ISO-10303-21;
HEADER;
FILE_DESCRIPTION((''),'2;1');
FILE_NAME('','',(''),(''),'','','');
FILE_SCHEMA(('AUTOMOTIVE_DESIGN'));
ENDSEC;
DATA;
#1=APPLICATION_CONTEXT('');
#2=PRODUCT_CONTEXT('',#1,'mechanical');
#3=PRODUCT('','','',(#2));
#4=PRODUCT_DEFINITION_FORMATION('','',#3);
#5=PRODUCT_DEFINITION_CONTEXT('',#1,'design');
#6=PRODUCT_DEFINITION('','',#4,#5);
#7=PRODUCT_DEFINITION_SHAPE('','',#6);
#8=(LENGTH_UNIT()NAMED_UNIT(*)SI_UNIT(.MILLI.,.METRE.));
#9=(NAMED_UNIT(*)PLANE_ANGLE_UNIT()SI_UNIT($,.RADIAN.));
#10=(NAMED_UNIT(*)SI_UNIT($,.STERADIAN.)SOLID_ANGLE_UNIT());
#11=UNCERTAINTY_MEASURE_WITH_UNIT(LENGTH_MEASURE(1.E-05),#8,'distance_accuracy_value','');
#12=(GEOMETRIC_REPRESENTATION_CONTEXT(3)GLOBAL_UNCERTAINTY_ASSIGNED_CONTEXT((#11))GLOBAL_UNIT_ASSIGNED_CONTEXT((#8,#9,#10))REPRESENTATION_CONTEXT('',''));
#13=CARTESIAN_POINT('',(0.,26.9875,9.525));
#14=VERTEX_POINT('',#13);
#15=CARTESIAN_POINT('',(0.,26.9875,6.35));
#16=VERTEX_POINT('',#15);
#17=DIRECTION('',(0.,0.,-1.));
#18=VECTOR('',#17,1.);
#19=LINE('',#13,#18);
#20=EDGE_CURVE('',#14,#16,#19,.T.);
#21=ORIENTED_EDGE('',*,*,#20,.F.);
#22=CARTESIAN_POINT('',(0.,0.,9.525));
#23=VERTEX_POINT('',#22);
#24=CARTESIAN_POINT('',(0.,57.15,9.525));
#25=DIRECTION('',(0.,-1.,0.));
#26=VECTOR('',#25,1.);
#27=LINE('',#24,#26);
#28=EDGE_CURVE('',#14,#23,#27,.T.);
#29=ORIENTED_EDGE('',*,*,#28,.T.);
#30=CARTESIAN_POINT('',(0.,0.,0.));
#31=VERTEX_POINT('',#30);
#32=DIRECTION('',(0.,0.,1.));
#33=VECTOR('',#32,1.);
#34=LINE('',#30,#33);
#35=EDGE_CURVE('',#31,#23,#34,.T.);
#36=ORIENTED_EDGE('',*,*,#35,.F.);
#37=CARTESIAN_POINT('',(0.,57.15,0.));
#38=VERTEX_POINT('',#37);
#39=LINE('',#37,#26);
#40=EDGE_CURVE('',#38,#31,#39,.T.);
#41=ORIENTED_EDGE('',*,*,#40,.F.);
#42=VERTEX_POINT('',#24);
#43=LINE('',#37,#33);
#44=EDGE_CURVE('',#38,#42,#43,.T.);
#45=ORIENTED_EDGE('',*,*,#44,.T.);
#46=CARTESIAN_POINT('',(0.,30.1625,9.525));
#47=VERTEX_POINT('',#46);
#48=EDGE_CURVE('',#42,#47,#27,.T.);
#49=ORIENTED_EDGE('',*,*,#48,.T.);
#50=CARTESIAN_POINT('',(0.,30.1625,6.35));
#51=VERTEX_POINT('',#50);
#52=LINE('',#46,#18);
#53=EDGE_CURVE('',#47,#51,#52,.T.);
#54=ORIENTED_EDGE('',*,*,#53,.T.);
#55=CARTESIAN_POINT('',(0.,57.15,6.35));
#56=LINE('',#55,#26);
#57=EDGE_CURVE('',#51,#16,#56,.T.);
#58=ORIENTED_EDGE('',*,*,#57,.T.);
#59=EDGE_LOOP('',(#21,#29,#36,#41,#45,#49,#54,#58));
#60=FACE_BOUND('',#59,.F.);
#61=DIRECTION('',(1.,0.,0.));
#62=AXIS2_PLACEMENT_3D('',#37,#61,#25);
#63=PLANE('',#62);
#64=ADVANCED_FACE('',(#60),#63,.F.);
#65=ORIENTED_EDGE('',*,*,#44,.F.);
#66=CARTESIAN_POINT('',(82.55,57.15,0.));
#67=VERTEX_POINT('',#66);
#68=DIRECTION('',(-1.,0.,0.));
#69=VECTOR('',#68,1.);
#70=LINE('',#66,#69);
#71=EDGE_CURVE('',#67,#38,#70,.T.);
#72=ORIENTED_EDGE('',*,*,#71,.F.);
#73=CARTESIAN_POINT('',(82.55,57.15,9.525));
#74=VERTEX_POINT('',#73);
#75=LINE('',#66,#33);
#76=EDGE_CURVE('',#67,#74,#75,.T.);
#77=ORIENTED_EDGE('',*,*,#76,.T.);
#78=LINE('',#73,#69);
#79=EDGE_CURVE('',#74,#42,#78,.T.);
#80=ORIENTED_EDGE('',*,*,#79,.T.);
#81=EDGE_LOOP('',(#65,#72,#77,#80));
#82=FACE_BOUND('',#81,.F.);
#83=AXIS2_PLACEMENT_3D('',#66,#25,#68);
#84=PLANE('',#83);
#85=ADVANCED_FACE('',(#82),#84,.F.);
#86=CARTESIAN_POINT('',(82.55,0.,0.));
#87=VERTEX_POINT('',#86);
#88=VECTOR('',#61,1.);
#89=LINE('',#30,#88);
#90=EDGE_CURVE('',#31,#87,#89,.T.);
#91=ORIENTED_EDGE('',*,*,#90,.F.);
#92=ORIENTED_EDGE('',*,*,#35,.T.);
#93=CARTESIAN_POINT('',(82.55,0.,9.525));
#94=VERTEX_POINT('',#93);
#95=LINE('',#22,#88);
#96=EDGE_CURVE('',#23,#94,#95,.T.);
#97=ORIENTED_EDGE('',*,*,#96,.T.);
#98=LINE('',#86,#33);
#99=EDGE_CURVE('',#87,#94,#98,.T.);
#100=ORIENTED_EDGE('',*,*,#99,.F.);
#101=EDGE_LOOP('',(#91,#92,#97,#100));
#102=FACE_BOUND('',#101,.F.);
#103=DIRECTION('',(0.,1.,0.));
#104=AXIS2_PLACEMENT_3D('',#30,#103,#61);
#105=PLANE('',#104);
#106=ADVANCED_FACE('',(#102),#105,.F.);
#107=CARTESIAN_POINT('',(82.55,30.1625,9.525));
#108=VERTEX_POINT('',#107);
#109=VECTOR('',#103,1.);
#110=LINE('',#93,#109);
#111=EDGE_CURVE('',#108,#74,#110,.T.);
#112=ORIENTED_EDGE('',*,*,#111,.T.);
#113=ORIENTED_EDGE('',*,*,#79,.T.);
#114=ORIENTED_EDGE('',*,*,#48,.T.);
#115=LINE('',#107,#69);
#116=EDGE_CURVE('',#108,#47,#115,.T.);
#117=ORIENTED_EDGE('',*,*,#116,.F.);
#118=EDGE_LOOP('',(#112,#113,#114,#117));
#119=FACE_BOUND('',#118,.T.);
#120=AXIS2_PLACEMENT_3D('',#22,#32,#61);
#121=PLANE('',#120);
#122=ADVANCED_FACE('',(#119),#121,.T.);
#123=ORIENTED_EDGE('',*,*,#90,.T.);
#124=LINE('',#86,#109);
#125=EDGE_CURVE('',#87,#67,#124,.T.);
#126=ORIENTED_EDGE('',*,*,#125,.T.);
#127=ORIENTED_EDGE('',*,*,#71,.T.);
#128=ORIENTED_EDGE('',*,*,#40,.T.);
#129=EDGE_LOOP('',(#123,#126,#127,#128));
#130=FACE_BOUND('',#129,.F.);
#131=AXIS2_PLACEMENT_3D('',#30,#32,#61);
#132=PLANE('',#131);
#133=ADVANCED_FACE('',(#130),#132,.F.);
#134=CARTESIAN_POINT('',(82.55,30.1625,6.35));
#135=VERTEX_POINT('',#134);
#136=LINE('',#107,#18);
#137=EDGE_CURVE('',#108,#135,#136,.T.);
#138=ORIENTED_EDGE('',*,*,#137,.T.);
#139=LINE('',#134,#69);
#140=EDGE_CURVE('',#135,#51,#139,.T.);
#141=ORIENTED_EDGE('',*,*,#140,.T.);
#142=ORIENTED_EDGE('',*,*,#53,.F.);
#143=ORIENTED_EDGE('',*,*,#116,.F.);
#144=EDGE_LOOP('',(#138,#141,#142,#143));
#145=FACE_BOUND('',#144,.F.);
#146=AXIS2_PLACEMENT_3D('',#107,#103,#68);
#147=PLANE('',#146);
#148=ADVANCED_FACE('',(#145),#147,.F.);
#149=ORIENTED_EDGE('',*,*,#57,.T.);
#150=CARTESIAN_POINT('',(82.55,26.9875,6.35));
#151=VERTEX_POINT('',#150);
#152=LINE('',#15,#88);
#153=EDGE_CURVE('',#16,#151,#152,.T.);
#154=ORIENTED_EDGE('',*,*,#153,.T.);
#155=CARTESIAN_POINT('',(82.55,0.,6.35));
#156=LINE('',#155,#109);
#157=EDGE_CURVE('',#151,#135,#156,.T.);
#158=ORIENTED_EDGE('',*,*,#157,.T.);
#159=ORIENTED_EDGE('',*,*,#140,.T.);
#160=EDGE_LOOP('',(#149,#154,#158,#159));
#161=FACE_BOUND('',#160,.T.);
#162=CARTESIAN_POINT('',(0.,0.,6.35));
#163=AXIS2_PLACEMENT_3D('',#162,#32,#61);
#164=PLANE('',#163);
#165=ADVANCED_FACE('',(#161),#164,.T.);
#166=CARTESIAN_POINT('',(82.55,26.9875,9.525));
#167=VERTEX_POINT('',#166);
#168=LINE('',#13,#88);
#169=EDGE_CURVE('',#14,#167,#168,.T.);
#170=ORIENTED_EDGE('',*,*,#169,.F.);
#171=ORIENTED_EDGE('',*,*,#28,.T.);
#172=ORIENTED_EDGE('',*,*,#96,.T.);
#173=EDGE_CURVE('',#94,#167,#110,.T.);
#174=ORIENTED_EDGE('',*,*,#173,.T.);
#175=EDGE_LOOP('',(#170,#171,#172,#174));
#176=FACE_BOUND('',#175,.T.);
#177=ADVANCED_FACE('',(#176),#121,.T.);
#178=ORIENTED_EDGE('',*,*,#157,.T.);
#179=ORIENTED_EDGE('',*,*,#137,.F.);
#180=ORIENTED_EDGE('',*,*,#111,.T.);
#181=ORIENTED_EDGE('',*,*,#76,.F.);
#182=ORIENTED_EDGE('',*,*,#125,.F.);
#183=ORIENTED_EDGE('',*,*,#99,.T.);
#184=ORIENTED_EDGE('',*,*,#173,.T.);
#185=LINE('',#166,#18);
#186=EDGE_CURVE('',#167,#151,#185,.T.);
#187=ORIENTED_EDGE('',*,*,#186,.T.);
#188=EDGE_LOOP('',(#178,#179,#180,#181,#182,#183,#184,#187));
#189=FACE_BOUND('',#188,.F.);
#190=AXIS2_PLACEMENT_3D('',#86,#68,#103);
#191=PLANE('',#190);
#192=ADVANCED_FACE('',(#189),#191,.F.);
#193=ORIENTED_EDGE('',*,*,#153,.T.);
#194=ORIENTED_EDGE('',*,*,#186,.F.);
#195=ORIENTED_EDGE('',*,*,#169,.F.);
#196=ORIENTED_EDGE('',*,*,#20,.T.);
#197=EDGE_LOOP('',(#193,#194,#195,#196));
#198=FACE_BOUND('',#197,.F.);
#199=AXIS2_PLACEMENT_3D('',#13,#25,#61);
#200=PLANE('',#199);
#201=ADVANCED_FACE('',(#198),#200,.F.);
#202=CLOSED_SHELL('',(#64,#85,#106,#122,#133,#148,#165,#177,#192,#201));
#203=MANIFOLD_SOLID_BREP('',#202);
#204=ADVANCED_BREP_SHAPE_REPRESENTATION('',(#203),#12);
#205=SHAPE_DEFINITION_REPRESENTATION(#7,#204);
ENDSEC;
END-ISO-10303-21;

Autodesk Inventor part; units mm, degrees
ref_plane "YZ Plane" through (0, 0, 0) normal (1, 0, 0) x (0, 1, 0)
ref_plane "XZ Plane" through (0, 0, 0) normal (0, 1, 0) x (-1, 0, 0)
ref_plane "XY Plane" through (0, 0, 0) normal (0, 0, 1) x (1, 0, 0)
sketch "Sketch1" plane through (0, 0, 0) normal (0, 0, 1) x (1, 0, 0)
  line L0 (0, 0) -> (82.55, 0)
  line L1 (82.55, 0) -> (82.55, 57.15)
  line L2 (82.55, 57.15) -> (0, 57.15)
  line L3 (0, 57.15) -> (0, 0)
  dimension "d0" = 57.15
  dimension "d1" = 82.55
extrude "Extrusion1" add sketch "Sketch1" along normal blind 9.525
sketch "Sketch2" plane through (0, 0, 9.525) normal (0, 0, 1) x (1, 0, 0)
  line L0 (-21.536, 28.575) -> (122.8285, 28.575) construction
  line L1 (82.55, 57.15) -> (0, 57.15) construction
  line L2 (0, 57.15) -> (0, 0) projected
  line L3 (82.55, 0) -> (82.55, 57.15) projected
  line L4 (0, 26.9875) -> (82.55, 26.9875)
  line L5 (82.55, 26.9875) -> (82.55, 30.1625)
  line L6 (82.55, 30.1625) -> (0, 30.1625)
  line L7 (0, 30.1625) -> (0, 26.9875)
  dimension "d4" = 28.575
  dimension "d5" = 1.5875
  dimension "d6" = 1.5875
extrude "Extrusion2" cut sketch "Sketch2" against normal blind 3.175
properties part number "000106"
